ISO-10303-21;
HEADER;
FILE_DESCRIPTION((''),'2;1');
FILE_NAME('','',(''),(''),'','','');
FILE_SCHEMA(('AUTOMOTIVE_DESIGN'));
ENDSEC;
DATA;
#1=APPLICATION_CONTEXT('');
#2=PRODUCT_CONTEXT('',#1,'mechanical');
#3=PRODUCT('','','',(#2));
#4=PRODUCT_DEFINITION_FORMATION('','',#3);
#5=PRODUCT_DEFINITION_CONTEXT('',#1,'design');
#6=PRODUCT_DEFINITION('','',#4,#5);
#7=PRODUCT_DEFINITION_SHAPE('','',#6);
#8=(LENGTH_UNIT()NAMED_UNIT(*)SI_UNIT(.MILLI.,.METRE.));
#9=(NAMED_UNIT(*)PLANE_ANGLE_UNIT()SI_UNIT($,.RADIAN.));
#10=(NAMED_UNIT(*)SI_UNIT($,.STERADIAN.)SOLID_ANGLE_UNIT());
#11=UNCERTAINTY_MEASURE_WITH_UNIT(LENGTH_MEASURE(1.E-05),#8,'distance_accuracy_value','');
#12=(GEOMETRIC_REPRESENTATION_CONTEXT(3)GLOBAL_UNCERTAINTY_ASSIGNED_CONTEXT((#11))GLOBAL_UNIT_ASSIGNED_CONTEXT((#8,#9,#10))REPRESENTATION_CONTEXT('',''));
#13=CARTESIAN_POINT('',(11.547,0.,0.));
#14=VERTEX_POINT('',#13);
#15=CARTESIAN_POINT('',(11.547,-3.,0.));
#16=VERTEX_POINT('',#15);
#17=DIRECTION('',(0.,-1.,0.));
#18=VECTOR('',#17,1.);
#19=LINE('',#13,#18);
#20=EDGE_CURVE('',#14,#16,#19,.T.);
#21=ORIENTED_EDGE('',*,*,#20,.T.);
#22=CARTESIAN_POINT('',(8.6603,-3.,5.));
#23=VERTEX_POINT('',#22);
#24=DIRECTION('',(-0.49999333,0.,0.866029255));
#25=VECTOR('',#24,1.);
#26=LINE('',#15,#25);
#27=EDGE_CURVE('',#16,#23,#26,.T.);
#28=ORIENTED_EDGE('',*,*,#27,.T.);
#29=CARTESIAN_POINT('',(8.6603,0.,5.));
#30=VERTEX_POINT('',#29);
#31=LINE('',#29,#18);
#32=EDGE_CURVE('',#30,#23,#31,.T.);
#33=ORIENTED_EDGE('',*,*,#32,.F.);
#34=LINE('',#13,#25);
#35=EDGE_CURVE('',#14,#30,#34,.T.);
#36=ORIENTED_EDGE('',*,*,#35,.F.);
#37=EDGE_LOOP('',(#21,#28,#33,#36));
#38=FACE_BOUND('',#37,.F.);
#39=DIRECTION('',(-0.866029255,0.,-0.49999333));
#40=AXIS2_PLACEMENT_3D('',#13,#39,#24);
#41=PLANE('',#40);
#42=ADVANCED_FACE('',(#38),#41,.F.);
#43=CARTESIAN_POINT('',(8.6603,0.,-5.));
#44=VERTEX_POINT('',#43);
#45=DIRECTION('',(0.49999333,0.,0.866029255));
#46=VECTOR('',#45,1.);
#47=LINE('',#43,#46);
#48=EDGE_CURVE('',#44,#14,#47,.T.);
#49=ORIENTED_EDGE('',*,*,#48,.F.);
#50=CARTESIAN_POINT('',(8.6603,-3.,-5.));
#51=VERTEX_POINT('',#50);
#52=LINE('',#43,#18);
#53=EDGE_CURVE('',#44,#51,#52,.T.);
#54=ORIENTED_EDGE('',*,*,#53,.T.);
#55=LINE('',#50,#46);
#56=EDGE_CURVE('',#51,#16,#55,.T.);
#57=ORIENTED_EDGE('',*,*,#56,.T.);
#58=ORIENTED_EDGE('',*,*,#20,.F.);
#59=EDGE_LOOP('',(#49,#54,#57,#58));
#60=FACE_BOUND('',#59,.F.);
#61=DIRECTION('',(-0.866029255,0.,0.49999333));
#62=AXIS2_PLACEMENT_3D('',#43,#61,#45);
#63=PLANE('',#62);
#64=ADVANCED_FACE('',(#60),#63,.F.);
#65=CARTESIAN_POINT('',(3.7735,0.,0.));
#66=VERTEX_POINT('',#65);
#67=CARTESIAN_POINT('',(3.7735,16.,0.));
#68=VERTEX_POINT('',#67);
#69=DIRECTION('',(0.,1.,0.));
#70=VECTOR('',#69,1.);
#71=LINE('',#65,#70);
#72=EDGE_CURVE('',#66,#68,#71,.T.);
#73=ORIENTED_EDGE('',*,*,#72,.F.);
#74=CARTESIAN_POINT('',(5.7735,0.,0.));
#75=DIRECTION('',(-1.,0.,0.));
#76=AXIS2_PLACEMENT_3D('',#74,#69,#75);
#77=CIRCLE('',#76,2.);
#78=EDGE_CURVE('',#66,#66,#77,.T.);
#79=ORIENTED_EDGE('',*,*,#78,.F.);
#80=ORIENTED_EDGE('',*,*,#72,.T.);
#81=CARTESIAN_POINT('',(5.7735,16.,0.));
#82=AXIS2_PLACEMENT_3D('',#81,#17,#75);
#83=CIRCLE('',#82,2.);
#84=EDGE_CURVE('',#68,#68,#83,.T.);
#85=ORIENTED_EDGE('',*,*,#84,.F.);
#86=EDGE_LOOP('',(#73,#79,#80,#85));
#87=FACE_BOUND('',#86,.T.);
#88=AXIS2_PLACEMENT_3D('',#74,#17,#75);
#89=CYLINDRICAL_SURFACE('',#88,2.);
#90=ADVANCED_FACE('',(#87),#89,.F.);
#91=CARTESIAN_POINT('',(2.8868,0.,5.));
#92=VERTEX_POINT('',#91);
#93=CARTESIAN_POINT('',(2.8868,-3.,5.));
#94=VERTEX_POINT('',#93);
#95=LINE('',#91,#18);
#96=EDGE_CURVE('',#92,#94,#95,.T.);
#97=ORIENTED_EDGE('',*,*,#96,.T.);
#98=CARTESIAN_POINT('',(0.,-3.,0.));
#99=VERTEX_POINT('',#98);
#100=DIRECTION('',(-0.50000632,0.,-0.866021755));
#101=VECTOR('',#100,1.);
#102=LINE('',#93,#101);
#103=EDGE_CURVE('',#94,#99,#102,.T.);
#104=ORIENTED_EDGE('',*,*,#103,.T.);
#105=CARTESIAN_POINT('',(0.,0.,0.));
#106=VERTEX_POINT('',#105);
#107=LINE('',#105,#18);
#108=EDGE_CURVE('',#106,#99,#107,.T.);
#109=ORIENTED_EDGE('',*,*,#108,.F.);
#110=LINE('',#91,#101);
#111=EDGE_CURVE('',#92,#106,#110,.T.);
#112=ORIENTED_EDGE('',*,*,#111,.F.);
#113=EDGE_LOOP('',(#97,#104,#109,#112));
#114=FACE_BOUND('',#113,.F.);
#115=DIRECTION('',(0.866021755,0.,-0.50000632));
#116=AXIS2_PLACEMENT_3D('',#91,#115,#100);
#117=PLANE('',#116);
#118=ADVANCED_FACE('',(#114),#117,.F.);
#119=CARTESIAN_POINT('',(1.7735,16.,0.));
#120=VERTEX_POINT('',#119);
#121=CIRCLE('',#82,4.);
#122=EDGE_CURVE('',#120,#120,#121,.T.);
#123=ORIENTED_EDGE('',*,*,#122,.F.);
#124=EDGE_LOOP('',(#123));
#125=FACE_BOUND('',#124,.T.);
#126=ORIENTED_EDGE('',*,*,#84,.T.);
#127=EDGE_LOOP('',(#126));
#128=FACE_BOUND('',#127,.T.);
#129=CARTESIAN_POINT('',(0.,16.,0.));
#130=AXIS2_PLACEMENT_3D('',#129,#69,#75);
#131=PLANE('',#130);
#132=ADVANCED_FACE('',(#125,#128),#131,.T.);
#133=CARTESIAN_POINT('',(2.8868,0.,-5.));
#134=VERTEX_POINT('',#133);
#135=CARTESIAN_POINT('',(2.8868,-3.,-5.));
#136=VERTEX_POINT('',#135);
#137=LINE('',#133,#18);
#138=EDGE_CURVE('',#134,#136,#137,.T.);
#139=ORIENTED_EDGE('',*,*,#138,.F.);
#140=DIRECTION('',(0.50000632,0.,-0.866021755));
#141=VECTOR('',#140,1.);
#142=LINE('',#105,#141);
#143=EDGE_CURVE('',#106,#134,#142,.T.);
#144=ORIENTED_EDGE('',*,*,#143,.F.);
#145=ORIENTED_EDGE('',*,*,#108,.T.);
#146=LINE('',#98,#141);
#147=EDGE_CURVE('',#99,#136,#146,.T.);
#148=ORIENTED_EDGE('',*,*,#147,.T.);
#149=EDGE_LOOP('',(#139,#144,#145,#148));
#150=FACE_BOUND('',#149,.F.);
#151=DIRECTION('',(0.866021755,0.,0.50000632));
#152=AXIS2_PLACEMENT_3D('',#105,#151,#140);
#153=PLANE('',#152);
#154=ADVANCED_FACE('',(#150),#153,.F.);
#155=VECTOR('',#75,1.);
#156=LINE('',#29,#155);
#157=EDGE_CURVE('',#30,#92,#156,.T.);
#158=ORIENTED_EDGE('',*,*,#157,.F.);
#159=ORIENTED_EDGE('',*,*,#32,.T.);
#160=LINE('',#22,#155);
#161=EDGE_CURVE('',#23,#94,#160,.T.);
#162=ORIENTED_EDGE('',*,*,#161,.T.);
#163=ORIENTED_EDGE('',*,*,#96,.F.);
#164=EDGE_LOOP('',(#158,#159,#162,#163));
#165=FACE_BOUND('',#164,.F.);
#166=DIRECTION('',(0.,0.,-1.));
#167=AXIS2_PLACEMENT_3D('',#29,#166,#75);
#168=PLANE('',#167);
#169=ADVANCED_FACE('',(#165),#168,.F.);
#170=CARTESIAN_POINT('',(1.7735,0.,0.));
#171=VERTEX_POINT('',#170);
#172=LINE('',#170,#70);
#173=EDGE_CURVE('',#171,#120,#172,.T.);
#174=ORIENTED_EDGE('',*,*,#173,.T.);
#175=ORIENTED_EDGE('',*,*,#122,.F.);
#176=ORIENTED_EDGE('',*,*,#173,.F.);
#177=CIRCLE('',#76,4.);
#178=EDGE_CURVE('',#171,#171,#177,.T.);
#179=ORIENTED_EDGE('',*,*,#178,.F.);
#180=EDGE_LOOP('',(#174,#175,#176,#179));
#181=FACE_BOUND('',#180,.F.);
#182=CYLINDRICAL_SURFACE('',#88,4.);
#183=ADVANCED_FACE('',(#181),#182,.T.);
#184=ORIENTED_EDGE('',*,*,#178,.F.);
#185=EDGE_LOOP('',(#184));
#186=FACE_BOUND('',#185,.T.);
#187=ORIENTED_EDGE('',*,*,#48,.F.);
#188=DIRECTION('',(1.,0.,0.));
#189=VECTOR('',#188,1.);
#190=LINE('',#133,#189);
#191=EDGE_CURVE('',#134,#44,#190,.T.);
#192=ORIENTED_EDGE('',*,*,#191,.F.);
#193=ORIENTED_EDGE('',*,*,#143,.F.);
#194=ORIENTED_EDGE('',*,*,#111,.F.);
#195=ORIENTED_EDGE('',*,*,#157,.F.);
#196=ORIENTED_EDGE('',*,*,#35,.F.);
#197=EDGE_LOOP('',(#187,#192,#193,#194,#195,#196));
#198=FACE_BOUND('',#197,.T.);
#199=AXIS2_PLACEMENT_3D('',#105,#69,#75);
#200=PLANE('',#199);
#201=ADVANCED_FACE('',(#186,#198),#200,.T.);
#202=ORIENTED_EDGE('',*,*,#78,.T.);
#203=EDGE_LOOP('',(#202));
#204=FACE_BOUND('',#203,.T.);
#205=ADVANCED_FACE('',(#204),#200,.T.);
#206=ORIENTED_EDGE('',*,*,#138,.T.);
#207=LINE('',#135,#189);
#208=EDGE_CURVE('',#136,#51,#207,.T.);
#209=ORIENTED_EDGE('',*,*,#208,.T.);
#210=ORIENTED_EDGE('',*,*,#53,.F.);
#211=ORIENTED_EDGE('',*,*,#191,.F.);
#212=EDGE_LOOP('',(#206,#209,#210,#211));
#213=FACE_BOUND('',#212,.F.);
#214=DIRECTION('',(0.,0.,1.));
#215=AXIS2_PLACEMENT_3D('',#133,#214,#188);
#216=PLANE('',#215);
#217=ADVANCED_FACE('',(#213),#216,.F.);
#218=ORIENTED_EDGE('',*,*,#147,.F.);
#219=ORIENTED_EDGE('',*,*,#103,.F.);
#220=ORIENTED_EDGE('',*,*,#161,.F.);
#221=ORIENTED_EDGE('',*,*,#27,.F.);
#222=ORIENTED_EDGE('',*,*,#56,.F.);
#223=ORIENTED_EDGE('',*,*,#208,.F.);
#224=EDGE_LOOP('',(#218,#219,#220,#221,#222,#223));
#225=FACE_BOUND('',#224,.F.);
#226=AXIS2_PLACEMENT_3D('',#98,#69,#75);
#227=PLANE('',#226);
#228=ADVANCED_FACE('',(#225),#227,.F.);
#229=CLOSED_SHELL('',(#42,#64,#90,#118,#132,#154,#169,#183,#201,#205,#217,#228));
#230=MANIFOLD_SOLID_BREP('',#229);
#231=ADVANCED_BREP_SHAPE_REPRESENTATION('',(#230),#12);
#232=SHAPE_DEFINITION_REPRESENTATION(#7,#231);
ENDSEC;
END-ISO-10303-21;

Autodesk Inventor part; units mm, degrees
ref_plane "YZ Plane" through (0, 0, 0) normal (1, 0, 0) x (0, 1, 0)
ref_plane "XZ Plane" through (0, 0, 0) normal (0, 1, 0) x (-1, 0, 0)
ref_plane "XY Plane" through (0, 0, 0) normal (0, 0, 1) x (1, 0, 0)
sketch "Sketch1" plane through (0, 0, 0) normal (0, 1, 0) x (-1, 0, 0)
  line L0 (0, 0) -> (-11.547, 0)
  line L1 (-11.547, 0) -> (-8.6603, 5)
  line L2 (-8.6603, 5) -> (-2.8868, 5)
  line L3 (-2.8868, 5) -> (0, 0)
  line L4 (0, 0) -> (-2.8868, -5)
  line L5 (-2.8868, -5) -> (-8.6603, -5)
  line L6 (-8.6603, -5) -> (-11.547, 0)
  circle A0 centre (-5.7735, 0) radius 4
  circle A1 centre (-5.7735, 0) radius 2
  dimension "d0" = 10
  dimension "d1" = 8
  dimension "d2" = 4
extrude "Extrusion1" add sketch "Sketch1" against normal blind 3
extrude "Extrusion2" add sketch "Sketch1" along normal blind 16 contours A0 L0 A1 | L0 A1 A0
thread "Thread1" size "M8x1.25" class "6g" standard "ANSI Metric M Profile" full length
properties part number "HUDSON-1-87"
